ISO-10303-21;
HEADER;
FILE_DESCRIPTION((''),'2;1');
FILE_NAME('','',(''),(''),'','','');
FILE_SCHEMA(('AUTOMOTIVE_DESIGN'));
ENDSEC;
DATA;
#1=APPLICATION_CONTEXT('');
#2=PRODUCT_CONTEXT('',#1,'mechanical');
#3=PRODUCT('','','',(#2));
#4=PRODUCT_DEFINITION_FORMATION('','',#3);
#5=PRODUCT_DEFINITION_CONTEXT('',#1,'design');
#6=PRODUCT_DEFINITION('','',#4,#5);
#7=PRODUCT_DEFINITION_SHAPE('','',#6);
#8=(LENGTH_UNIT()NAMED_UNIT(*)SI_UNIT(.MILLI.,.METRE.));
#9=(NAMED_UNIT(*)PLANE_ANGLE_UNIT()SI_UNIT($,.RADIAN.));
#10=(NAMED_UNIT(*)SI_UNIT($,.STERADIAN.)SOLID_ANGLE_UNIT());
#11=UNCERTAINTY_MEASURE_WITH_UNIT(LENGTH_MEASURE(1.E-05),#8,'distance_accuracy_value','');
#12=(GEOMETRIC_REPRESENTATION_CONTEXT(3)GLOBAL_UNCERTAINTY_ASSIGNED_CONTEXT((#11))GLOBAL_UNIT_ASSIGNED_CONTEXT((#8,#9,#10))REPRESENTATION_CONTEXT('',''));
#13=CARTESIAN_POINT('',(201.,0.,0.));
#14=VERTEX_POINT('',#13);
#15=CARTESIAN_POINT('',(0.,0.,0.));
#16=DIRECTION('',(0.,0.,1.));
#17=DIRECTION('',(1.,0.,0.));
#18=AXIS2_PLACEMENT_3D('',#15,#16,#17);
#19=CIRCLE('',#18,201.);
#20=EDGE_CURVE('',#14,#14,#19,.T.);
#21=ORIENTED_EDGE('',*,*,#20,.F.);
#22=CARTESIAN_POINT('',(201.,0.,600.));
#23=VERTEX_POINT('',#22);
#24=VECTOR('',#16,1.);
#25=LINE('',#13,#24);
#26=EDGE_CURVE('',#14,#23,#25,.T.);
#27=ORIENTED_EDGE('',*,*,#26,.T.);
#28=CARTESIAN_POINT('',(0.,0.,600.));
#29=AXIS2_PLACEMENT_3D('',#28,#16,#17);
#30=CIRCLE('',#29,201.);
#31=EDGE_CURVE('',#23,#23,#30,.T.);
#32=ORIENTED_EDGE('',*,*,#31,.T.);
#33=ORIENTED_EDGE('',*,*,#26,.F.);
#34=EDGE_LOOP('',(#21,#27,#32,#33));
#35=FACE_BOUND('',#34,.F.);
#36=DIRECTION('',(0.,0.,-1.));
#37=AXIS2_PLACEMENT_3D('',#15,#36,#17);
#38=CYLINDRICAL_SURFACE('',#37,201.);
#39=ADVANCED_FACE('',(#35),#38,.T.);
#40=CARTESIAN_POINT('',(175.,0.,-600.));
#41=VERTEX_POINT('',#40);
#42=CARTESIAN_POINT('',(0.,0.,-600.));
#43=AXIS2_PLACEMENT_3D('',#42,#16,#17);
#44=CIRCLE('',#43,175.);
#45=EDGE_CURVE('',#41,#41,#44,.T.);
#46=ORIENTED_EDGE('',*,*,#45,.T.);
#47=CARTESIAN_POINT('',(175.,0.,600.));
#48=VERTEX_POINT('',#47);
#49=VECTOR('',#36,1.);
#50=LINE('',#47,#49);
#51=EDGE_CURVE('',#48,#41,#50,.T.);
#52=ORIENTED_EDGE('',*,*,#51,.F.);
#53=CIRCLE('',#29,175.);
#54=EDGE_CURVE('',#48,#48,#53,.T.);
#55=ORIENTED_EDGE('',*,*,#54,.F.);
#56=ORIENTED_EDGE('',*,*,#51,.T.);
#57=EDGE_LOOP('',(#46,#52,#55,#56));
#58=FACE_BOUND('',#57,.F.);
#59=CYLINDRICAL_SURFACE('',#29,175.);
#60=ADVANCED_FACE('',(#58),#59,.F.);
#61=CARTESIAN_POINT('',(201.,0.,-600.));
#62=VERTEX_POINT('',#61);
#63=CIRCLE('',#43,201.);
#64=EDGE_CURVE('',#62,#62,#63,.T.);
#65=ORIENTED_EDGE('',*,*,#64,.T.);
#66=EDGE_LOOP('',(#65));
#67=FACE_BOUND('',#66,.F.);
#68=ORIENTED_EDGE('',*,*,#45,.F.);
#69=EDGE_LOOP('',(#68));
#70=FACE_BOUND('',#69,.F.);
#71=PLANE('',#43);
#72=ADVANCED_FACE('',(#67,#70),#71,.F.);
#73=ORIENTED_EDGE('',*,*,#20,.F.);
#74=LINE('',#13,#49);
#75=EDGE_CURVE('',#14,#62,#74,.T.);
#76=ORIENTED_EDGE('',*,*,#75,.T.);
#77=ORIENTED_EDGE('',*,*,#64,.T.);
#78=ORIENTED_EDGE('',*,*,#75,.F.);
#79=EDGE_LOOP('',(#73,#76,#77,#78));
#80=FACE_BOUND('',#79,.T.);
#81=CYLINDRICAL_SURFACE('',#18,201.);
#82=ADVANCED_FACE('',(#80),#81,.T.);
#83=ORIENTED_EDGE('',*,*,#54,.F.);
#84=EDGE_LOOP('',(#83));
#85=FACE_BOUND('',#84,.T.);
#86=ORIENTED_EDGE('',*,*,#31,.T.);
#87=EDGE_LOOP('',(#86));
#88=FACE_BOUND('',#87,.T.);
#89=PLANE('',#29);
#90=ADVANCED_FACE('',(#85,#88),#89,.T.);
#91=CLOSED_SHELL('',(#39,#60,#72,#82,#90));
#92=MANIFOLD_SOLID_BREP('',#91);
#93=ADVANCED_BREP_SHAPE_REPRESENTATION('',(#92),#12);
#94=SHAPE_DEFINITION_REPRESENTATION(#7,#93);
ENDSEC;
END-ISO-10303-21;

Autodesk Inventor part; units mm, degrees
ref_plane "YZ Plane" through (0, 0, 0) normal (1, 0, 0) x (0, 1, 0)
ref_plane "XZ Plane" through (0, 0, 0) normal (0, 1, 0) x (-1, 0, 0)
ref_plane "XY Plane" through (0, 0, 0) normal (0, 0, 1) x (1, 0, 0)
sketch "Sketch1" plane through (0, 0, 0) normal (0, 0, 1) x (1, 0, 0)
  circle A0 centre (0, 0) radius 201
  dimension "d0" = 402
extrude "Extrusion1" add sketch "Sketch1" along normal mid plane 1200
sketch "Sketch2" plane through (0, 0, 600) normal (0, 0, 1) x (1, 0, 0)
  circle A0 centre (0, 0) radius 175
  dimension "d3" = 350
extrude "Extrusion2" cut sketch "Sketch2" against normal through all
properties part number "ALPHA-II-AT"
